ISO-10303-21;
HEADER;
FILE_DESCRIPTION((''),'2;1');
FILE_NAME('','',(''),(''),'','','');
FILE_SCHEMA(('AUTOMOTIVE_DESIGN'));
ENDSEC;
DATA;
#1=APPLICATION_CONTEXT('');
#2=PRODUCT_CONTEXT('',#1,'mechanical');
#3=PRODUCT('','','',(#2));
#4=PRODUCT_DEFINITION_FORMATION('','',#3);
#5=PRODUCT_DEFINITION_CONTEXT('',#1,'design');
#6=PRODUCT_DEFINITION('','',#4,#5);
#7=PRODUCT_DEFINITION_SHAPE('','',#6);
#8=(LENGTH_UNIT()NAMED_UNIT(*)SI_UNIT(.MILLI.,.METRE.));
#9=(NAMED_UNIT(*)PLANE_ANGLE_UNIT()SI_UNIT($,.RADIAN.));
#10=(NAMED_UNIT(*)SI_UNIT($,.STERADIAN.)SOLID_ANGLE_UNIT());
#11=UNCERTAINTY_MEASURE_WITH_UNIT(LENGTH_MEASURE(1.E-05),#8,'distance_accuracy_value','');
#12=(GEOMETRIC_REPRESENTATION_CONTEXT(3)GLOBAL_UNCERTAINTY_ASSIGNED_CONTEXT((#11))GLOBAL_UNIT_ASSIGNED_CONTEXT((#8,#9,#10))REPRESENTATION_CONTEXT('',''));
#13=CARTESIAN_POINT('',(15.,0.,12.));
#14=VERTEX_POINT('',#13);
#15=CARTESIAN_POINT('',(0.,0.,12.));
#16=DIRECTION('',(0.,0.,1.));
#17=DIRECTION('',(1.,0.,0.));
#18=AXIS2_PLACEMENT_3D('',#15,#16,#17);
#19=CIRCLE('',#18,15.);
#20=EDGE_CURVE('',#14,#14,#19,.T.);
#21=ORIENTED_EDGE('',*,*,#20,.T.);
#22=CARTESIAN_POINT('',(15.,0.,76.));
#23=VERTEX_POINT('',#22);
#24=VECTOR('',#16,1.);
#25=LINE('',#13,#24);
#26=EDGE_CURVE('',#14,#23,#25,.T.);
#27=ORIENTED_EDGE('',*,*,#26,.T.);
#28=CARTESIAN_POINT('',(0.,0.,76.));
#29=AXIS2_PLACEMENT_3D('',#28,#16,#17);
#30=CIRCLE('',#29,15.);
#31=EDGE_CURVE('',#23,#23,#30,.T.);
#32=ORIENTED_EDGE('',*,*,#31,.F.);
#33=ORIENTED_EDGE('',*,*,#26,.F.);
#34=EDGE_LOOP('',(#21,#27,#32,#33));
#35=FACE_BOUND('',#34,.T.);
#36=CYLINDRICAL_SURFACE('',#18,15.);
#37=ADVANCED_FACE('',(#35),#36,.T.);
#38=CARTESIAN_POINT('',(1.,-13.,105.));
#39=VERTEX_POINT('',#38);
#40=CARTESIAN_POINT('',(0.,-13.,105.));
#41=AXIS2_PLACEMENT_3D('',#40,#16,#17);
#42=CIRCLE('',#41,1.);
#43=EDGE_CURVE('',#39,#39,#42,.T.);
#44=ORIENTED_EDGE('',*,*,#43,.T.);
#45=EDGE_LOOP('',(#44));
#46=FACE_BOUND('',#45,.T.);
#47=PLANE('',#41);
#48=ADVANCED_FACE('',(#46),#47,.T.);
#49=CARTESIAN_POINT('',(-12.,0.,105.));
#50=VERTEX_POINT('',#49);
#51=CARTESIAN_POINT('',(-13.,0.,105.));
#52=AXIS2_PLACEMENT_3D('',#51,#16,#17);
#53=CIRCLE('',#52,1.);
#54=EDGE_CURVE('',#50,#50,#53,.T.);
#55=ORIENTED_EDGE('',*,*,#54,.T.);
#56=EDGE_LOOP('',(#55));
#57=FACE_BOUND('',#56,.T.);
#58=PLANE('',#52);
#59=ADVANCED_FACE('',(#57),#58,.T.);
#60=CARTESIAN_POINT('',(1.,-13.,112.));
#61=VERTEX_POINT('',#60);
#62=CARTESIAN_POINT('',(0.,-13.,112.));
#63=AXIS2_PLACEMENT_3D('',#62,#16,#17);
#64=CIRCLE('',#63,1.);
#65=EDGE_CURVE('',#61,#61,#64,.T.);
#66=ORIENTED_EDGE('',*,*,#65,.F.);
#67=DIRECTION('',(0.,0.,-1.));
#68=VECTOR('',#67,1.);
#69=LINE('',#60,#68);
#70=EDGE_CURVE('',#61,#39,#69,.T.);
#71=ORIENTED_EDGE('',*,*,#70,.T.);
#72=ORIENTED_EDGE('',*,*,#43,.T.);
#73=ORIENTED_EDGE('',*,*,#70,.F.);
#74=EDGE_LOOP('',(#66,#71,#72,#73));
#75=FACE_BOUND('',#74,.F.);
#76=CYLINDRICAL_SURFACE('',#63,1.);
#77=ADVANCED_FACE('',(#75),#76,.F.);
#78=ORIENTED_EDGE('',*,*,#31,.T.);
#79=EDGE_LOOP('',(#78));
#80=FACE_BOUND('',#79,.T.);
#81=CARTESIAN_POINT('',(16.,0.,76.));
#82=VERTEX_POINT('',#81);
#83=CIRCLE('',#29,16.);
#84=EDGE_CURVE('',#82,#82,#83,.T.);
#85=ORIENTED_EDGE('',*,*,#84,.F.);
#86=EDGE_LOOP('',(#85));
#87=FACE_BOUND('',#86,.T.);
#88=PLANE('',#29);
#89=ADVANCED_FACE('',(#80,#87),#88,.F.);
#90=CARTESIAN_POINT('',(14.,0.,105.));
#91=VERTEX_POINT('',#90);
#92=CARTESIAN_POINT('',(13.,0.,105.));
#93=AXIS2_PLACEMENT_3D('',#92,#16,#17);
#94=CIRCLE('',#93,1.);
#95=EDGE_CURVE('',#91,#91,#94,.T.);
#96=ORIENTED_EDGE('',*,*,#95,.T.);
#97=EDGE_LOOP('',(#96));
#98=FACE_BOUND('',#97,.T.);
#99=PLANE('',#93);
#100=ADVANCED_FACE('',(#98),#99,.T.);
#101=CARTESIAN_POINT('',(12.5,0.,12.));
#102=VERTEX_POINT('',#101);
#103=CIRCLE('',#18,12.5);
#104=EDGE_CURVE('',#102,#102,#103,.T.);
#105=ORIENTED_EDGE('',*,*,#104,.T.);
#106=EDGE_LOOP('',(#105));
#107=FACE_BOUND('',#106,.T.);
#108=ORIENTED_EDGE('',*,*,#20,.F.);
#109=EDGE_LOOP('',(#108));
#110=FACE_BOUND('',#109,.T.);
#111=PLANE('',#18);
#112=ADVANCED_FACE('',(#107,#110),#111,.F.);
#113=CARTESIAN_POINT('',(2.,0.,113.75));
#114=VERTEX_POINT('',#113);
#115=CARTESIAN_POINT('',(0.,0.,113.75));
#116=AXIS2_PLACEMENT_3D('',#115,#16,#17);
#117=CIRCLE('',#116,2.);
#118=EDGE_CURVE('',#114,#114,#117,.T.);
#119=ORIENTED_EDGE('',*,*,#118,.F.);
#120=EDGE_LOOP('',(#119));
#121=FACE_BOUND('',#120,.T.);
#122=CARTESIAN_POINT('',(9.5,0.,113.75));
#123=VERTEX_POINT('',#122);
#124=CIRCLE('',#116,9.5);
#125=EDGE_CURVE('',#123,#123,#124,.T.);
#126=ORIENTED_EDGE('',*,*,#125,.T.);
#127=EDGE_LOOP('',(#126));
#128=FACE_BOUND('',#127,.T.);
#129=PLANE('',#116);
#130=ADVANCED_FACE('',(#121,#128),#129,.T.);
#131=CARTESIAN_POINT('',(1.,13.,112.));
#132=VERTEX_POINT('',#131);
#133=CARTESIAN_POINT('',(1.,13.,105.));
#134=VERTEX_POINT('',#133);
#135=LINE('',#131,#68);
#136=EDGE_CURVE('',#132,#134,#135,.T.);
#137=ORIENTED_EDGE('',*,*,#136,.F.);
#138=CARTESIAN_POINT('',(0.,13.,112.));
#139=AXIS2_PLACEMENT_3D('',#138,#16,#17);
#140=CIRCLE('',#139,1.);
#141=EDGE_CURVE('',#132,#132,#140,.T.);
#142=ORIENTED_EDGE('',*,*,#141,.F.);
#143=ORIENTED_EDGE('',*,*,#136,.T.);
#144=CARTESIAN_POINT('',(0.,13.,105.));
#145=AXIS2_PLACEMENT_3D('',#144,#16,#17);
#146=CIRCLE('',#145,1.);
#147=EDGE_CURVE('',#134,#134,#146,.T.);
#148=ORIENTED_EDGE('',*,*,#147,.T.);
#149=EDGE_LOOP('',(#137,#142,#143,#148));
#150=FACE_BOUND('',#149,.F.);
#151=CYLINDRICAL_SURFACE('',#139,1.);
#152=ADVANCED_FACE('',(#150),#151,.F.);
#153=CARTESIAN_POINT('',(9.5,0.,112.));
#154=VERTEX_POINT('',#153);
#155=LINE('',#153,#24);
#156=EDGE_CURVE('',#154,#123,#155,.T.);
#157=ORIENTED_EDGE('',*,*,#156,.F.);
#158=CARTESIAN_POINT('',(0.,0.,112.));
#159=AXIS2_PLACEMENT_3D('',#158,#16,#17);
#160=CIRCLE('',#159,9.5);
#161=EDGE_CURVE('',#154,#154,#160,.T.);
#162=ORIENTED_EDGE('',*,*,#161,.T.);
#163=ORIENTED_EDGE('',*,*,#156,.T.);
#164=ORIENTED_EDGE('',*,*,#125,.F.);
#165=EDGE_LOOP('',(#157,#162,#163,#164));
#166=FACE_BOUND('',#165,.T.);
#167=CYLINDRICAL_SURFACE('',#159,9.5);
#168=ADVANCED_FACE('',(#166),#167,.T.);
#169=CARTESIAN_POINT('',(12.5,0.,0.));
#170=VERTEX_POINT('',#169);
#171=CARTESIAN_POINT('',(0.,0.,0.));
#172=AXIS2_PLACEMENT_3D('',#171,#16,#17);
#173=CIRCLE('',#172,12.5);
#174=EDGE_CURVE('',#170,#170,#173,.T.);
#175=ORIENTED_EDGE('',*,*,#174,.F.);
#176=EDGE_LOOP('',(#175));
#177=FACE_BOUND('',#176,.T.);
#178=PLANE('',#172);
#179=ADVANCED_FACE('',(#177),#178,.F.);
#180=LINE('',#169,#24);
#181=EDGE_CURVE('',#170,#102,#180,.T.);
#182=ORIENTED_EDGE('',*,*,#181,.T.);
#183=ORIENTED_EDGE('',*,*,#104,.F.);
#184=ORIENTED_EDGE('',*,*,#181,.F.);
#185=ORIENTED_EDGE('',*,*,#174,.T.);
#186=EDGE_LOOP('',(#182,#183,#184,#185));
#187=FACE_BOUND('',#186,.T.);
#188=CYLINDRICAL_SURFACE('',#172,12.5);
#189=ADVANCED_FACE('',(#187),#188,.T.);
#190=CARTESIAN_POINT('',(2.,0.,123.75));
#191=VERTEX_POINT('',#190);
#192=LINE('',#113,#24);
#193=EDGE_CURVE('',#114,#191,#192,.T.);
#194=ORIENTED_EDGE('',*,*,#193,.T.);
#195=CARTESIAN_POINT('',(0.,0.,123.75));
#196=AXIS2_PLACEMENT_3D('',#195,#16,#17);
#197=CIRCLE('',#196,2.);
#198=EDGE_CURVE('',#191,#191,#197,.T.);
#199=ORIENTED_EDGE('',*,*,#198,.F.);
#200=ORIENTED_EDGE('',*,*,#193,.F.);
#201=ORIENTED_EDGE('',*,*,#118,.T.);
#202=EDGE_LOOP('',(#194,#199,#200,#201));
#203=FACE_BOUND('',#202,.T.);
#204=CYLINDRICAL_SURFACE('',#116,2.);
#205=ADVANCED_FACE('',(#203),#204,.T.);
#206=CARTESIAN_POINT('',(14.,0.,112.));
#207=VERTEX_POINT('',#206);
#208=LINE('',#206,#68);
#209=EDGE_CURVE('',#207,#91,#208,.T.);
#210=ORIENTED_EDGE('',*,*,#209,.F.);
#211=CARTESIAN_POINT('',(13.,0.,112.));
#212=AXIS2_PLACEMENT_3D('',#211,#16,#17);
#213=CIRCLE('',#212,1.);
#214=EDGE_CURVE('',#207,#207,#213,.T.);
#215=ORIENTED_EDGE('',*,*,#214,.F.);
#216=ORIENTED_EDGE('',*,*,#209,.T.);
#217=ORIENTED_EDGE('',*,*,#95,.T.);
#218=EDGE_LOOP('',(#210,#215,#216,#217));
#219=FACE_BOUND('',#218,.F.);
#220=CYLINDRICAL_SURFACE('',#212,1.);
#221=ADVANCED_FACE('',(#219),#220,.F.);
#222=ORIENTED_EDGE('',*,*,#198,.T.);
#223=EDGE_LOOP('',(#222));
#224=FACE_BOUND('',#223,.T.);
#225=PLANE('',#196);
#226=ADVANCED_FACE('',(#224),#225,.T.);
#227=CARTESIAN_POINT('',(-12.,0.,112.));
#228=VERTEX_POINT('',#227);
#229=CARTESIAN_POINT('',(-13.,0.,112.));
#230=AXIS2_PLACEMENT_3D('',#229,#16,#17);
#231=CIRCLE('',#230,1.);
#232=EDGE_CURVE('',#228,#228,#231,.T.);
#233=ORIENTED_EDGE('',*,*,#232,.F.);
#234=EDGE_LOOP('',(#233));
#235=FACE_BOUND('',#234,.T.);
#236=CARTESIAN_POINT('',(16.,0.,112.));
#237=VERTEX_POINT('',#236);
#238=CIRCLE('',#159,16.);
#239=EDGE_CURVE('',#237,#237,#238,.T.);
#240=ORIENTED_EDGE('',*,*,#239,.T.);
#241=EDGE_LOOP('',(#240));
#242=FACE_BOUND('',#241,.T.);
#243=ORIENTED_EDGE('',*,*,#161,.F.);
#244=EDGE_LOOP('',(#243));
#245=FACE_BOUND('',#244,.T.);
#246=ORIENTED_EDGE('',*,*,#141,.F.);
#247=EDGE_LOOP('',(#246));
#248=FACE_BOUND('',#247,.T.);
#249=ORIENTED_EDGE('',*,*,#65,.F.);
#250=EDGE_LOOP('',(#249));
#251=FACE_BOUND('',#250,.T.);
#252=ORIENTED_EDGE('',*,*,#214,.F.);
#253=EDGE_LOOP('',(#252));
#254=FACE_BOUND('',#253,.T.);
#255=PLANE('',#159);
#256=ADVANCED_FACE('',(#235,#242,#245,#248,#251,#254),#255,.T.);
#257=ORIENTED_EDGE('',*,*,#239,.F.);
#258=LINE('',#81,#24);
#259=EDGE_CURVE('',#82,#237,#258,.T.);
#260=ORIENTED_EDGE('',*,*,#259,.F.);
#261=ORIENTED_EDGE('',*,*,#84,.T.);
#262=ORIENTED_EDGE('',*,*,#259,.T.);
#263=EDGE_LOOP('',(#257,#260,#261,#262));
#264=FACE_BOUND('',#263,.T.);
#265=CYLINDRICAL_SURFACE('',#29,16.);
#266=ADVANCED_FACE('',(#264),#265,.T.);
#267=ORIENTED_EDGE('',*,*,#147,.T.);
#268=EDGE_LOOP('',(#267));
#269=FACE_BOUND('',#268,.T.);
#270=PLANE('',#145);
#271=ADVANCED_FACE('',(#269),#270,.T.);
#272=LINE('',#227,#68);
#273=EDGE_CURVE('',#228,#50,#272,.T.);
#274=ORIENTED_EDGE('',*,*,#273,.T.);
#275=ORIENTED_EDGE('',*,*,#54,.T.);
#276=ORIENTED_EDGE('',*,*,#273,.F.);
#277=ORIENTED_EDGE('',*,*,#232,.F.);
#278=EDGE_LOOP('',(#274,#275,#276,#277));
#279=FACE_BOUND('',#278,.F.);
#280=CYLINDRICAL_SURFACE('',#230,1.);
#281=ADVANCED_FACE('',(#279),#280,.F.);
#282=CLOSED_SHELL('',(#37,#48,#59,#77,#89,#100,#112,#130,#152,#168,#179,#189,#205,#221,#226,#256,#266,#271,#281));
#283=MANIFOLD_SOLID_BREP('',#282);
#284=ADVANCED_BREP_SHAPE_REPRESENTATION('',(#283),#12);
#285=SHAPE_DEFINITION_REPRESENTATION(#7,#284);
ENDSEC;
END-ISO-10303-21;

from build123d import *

# Parameters (mm, degrees)
F2_R     = 1
F3_DEPTH = 7


with BuildPart() as f1:
    # F0 (on Front) → F1 (revolve)
    with BuildSketch(Plane.XZ):
        Polygon((2, 123.75), (0, 123.75), (0, 0), (12.5, 0), (12.5, 12), (15, 12), (15, 76), (16, 76), (16, 112), (9.5, 112), (9.5, 113.75), (2, 113.75), align=None)
    revolve(axis=Axis((0, 0, 70.364535), (0, 0, 1)))

    # F2 (on face) → F3 (cut)
    with BuildSketch(Plane.XY.offset(112)):
        with Locations((0, 13)):
            Circle(F2_R)
        with Locations((13, 0)):
            Circle(F2_R)
        with Locations((-13, 0)):
            Circle(F2_R)
        with Locations((0, -13)):
            Circle(F2_R)
    extrude(amount=-F3_DEPTH, mode=Mode.SUBTRACT)


solid = f1.part
